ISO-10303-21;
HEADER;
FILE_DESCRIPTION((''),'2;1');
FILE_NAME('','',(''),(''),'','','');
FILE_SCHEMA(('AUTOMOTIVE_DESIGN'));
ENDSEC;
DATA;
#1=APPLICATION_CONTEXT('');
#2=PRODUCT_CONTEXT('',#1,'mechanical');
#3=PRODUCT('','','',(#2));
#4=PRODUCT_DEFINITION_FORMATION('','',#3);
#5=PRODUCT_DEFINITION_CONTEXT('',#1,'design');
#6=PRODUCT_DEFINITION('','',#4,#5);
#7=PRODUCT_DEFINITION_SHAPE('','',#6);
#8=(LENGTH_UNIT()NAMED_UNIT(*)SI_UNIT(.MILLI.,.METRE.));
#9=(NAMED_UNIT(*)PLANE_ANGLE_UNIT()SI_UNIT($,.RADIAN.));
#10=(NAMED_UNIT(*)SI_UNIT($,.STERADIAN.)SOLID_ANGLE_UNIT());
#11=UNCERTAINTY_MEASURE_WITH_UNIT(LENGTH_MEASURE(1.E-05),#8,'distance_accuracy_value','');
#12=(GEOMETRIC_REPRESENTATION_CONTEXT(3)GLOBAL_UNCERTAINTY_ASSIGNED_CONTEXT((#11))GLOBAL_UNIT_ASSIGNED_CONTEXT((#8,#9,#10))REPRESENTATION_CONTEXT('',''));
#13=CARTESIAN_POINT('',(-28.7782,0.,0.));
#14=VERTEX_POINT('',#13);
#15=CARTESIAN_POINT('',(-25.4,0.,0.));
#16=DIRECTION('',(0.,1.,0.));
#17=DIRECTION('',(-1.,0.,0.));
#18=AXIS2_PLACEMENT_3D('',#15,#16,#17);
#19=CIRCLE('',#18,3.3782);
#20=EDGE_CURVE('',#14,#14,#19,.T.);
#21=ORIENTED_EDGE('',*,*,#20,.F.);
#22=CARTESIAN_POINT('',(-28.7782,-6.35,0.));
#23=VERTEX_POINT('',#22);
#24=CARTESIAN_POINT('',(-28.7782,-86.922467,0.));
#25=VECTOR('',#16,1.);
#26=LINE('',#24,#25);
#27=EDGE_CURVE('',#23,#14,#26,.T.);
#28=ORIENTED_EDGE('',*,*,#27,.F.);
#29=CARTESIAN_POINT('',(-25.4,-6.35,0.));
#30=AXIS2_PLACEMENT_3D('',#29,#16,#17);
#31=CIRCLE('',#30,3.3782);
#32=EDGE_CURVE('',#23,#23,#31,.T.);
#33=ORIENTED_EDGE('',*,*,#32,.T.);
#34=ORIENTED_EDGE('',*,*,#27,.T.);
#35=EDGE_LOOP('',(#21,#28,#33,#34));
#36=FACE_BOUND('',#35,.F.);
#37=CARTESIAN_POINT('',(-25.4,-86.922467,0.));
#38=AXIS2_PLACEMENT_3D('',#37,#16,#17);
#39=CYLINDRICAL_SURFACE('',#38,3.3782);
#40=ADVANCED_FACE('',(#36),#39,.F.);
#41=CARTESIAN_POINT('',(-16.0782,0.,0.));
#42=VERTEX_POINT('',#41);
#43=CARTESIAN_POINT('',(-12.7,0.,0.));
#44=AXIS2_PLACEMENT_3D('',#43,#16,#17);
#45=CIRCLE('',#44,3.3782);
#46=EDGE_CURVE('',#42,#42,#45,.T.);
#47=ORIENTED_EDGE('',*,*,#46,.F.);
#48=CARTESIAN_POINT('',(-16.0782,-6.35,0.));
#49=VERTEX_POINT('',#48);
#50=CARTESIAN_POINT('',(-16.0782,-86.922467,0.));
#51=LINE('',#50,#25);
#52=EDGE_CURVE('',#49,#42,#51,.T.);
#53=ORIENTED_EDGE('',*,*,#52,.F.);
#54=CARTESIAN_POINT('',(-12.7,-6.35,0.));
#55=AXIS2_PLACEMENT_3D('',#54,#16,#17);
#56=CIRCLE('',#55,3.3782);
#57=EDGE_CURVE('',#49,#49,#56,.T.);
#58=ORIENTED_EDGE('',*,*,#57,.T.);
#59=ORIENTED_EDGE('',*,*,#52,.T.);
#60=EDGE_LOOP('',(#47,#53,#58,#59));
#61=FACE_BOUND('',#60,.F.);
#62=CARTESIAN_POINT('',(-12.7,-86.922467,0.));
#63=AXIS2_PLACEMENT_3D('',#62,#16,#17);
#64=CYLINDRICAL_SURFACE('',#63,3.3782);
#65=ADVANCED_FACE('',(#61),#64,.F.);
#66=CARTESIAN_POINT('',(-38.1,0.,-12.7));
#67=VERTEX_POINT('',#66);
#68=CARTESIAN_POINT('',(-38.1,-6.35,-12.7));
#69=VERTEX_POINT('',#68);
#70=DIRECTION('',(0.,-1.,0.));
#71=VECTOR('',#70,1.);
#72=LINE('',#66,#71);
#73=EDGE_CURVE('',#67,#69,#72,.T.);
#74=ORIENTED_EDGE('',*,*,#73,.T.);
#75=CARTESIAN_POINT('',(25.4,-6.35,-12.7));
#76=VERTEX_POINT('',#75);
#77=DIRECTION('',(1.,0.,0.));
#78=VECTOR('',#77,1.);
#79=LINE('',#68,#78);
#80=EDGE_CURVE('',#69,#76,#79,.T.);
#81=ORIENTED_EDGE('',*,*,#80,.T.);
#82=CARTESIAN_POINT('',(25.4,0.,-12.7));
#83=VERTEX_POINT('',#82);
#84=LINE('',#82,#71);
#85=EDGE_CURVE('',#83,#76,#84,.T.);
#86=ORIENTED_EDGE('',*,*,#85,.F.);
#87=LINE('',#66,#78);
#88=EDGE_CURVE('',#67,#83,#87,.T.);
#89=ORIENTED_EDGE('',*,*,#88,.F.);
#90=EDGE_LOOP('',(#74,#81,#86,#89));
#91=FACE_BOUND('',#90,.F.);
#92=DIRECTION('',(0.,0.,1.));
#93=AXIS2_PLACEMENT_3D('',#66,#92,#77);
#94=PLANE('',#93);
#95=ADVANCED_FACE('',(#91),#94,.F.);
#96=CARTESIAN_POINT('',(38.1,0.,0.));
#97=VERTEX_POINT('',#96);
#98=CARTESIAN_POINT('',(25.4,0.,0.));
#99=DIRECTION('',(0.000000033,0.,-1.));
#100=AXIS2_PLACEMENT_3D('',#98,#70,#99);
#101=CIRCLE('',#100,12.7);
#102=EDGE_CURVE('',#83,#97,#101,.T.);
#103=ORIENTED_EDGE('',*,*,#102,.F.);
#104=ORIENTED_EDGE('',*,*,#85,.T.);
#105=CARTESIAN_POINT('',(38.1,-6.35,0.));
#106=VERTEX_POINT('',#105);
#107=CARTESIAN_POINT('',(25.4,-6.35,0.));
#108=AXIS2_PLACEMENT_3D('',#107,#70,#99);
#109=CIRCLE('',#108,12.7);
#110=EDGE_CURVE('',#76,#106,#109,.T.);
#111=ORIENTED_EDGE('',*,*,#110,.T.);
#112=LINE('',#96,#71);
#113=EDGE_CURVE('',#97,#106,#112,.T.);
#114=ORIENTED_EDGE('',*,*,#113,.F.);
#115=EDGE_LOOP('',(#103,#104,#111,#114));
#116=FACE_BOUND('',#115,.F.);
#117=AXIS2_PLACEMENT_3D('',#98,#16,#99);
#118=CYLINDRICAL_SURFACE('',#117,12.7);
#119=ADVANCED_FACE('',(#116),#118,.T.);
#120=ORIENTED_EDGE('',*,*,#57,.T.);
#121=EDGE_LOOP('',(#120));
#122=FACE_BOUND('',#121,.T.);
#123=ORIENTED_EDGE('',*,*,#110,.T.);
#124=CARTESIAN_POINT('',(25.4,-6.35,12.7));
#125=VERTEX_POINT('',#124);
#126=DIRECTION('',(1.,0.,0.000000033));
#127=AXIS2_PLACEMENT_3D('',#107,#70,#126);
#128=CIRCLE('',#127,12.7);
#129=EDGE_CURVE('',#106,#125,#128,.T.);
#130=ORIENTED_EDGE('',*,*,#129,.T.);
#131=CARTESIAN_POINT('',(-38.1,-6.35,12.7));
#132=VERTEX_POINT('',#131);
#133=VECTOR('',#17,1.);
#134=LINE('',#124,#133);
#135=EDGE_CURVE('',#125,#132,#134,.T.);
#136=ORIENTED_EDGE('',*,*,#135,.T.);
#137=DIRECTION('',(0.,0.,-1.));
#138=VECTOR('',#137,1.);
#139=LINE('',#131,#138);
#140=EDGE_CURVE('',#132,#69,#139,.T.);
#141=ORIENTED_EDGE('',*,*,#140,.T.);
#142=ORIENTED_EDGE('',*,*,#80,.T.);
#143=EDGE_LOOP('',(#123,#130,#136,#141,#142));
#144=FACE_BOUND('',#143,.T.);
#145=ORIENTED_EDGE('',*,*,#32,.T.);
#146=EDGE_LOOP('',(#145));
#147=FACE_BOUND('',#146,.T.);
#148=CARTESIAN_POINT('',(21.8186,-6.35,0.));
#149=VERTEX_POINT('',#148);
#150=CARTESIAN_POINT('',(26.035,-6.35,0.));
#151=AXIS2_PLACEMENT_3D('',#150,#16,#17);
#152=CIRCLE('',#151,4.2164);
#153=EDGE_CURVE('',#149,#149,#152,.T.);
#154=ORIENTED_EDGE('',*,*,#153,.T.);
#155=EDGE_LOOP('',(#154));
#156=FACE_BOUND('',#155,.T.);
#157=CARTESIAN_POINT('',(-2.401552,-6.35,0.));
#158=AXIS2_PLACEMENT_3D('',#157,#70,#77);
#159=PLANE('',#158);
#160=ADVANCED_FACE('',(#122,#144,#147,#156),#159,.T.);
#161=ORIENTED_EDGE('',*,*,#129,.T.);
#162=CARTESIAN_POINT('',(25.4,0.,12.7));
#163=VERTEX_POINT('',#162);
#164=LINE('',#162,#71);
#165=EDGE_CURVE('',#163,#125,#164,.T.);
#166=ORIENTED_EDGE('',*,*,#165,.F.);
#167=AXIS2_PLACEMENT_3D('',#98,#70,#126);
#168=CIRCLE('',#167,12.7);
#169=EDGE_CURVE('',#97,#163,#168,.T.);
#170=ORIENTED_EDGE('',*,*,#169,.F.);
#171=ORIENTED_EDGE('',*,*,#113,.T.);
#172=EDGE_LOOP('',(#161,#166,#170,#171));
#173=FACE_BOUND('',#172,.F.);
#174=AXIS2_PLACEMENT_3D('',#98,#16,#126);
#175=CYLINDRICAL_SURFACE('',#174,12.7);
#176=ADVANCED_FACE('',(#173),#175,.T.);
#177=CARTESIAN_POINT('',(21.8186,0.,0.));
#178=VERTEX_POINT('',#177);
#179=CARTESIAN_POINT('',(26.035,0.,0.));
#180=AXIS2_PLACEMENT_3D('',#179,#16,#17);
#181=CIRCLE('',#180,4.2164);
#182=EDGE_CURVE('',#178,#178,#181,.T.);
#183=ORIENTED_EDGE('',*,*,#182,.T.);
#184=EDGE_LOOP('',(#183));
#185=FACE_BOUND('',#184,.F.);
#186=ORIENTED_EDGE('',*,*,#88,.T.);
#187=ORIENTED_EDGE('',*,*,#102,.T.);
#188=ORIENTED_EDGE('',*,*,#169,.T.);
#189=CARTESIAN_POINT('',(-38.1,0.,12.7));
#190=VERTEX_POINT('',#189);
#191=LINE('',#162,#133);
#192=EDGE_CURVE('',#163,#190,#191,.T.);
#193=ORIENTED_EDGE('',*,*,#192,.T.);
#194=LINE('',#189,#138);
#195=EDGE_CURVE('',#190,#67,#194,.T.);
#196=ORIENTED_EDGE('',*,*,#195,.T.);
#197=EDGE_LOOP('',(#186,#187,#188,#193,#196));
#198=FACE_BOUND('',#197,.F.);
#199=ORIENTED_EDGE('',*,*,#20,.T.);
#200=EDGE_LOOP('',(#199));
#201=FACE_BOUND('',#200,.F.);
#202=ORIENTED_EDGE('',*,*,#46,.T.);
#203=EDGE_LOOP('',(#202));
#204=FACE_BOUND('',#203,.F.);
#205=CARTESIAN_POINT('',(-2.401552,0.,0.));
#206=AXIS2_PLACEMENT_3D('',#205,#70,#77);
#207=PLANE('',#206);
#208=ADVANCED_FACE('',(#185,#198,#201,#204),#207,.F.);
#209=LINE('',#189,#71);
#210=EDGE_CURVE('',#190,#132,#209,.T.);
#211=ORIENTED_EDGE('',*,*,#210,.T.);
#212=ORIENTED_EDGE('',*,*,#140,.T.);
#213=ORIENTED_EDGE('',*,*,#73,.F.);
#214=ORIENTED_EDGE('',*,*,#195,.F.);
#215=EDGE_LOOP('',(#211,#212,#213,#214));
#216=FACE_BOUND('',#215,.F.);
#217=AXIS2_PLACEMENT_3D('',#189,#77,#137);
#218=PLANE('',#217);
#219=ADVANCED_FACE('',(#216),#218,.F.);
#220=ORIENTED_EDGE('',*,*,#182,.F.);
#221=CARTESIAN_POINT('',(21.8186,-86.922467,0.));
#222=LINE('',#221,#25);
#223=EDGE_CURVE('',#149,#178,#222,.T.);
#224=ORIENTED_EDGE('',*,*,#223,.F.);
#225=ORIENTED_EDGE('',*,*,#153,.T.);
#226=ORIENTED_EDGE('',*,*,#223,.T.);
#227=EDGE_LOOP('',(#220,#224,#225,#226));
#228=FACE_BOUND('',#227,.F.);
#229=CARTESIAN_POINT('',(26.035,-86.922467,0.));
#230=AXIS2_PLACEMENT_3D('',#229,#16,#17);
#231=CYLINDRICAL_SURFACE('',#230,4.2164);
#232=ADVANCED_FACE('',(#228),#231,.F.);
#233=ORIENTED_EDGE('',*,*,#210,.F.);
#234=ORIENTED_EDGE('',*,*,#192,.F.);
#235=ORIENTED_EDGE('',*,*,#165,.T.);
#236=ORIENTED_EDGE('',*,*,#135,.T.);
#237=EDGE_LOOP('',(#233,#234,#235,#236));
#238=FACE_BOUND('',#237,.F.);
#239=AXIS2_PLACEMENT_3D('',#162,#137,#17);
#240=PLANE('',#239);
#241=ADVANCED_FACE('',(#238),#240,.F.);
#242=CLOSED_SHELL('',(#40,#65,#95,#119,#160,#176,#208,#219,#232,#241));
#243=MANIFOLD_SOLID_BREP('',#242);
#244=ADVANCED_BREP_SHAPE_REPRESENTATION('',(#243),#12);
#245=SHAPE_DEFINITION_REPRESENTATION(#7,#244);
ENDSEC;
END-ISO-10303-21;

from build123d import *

# Parameters (mm, degrees)
F1_DEPTH = 6.35
F3_D     = 8.4328
F4_D     = 6.7564


with BuildPart() as f1:
    # F0 (on Front) → F1 (new body)
    with BuildSketch(Plane.XZ):
        with BuildLine():
            Line((-38.1, -12.7), (25.4, -12.7))
            ThreePointArc((25.4, -12.7), (34.380256, -8.980256), (38.1, 0))
            ThreePointArc((38.1, 0), (34.380256, 8.980256), (25.4, 12.7))
            Line((25.4, 12.7), (-38.1, 12.7))
            Line((-38.1, 12.7), (-38.1, -12.7))
        make_face()
    extrude(amount=F1_DEPTH)

    # F3 (through all)
    with Locations(Plane.XZ.offset(6.35)):
        with Locations((26.035, 0)):
            Hole(F3_D / 2)

    # F4 (through all)
    with Locations(Plane.XZ.offset(6.35)):
        with Locations((-25.4, 0), (-12.7, 0)):
            Hole(F4_D / 2)


solid = f1.part
